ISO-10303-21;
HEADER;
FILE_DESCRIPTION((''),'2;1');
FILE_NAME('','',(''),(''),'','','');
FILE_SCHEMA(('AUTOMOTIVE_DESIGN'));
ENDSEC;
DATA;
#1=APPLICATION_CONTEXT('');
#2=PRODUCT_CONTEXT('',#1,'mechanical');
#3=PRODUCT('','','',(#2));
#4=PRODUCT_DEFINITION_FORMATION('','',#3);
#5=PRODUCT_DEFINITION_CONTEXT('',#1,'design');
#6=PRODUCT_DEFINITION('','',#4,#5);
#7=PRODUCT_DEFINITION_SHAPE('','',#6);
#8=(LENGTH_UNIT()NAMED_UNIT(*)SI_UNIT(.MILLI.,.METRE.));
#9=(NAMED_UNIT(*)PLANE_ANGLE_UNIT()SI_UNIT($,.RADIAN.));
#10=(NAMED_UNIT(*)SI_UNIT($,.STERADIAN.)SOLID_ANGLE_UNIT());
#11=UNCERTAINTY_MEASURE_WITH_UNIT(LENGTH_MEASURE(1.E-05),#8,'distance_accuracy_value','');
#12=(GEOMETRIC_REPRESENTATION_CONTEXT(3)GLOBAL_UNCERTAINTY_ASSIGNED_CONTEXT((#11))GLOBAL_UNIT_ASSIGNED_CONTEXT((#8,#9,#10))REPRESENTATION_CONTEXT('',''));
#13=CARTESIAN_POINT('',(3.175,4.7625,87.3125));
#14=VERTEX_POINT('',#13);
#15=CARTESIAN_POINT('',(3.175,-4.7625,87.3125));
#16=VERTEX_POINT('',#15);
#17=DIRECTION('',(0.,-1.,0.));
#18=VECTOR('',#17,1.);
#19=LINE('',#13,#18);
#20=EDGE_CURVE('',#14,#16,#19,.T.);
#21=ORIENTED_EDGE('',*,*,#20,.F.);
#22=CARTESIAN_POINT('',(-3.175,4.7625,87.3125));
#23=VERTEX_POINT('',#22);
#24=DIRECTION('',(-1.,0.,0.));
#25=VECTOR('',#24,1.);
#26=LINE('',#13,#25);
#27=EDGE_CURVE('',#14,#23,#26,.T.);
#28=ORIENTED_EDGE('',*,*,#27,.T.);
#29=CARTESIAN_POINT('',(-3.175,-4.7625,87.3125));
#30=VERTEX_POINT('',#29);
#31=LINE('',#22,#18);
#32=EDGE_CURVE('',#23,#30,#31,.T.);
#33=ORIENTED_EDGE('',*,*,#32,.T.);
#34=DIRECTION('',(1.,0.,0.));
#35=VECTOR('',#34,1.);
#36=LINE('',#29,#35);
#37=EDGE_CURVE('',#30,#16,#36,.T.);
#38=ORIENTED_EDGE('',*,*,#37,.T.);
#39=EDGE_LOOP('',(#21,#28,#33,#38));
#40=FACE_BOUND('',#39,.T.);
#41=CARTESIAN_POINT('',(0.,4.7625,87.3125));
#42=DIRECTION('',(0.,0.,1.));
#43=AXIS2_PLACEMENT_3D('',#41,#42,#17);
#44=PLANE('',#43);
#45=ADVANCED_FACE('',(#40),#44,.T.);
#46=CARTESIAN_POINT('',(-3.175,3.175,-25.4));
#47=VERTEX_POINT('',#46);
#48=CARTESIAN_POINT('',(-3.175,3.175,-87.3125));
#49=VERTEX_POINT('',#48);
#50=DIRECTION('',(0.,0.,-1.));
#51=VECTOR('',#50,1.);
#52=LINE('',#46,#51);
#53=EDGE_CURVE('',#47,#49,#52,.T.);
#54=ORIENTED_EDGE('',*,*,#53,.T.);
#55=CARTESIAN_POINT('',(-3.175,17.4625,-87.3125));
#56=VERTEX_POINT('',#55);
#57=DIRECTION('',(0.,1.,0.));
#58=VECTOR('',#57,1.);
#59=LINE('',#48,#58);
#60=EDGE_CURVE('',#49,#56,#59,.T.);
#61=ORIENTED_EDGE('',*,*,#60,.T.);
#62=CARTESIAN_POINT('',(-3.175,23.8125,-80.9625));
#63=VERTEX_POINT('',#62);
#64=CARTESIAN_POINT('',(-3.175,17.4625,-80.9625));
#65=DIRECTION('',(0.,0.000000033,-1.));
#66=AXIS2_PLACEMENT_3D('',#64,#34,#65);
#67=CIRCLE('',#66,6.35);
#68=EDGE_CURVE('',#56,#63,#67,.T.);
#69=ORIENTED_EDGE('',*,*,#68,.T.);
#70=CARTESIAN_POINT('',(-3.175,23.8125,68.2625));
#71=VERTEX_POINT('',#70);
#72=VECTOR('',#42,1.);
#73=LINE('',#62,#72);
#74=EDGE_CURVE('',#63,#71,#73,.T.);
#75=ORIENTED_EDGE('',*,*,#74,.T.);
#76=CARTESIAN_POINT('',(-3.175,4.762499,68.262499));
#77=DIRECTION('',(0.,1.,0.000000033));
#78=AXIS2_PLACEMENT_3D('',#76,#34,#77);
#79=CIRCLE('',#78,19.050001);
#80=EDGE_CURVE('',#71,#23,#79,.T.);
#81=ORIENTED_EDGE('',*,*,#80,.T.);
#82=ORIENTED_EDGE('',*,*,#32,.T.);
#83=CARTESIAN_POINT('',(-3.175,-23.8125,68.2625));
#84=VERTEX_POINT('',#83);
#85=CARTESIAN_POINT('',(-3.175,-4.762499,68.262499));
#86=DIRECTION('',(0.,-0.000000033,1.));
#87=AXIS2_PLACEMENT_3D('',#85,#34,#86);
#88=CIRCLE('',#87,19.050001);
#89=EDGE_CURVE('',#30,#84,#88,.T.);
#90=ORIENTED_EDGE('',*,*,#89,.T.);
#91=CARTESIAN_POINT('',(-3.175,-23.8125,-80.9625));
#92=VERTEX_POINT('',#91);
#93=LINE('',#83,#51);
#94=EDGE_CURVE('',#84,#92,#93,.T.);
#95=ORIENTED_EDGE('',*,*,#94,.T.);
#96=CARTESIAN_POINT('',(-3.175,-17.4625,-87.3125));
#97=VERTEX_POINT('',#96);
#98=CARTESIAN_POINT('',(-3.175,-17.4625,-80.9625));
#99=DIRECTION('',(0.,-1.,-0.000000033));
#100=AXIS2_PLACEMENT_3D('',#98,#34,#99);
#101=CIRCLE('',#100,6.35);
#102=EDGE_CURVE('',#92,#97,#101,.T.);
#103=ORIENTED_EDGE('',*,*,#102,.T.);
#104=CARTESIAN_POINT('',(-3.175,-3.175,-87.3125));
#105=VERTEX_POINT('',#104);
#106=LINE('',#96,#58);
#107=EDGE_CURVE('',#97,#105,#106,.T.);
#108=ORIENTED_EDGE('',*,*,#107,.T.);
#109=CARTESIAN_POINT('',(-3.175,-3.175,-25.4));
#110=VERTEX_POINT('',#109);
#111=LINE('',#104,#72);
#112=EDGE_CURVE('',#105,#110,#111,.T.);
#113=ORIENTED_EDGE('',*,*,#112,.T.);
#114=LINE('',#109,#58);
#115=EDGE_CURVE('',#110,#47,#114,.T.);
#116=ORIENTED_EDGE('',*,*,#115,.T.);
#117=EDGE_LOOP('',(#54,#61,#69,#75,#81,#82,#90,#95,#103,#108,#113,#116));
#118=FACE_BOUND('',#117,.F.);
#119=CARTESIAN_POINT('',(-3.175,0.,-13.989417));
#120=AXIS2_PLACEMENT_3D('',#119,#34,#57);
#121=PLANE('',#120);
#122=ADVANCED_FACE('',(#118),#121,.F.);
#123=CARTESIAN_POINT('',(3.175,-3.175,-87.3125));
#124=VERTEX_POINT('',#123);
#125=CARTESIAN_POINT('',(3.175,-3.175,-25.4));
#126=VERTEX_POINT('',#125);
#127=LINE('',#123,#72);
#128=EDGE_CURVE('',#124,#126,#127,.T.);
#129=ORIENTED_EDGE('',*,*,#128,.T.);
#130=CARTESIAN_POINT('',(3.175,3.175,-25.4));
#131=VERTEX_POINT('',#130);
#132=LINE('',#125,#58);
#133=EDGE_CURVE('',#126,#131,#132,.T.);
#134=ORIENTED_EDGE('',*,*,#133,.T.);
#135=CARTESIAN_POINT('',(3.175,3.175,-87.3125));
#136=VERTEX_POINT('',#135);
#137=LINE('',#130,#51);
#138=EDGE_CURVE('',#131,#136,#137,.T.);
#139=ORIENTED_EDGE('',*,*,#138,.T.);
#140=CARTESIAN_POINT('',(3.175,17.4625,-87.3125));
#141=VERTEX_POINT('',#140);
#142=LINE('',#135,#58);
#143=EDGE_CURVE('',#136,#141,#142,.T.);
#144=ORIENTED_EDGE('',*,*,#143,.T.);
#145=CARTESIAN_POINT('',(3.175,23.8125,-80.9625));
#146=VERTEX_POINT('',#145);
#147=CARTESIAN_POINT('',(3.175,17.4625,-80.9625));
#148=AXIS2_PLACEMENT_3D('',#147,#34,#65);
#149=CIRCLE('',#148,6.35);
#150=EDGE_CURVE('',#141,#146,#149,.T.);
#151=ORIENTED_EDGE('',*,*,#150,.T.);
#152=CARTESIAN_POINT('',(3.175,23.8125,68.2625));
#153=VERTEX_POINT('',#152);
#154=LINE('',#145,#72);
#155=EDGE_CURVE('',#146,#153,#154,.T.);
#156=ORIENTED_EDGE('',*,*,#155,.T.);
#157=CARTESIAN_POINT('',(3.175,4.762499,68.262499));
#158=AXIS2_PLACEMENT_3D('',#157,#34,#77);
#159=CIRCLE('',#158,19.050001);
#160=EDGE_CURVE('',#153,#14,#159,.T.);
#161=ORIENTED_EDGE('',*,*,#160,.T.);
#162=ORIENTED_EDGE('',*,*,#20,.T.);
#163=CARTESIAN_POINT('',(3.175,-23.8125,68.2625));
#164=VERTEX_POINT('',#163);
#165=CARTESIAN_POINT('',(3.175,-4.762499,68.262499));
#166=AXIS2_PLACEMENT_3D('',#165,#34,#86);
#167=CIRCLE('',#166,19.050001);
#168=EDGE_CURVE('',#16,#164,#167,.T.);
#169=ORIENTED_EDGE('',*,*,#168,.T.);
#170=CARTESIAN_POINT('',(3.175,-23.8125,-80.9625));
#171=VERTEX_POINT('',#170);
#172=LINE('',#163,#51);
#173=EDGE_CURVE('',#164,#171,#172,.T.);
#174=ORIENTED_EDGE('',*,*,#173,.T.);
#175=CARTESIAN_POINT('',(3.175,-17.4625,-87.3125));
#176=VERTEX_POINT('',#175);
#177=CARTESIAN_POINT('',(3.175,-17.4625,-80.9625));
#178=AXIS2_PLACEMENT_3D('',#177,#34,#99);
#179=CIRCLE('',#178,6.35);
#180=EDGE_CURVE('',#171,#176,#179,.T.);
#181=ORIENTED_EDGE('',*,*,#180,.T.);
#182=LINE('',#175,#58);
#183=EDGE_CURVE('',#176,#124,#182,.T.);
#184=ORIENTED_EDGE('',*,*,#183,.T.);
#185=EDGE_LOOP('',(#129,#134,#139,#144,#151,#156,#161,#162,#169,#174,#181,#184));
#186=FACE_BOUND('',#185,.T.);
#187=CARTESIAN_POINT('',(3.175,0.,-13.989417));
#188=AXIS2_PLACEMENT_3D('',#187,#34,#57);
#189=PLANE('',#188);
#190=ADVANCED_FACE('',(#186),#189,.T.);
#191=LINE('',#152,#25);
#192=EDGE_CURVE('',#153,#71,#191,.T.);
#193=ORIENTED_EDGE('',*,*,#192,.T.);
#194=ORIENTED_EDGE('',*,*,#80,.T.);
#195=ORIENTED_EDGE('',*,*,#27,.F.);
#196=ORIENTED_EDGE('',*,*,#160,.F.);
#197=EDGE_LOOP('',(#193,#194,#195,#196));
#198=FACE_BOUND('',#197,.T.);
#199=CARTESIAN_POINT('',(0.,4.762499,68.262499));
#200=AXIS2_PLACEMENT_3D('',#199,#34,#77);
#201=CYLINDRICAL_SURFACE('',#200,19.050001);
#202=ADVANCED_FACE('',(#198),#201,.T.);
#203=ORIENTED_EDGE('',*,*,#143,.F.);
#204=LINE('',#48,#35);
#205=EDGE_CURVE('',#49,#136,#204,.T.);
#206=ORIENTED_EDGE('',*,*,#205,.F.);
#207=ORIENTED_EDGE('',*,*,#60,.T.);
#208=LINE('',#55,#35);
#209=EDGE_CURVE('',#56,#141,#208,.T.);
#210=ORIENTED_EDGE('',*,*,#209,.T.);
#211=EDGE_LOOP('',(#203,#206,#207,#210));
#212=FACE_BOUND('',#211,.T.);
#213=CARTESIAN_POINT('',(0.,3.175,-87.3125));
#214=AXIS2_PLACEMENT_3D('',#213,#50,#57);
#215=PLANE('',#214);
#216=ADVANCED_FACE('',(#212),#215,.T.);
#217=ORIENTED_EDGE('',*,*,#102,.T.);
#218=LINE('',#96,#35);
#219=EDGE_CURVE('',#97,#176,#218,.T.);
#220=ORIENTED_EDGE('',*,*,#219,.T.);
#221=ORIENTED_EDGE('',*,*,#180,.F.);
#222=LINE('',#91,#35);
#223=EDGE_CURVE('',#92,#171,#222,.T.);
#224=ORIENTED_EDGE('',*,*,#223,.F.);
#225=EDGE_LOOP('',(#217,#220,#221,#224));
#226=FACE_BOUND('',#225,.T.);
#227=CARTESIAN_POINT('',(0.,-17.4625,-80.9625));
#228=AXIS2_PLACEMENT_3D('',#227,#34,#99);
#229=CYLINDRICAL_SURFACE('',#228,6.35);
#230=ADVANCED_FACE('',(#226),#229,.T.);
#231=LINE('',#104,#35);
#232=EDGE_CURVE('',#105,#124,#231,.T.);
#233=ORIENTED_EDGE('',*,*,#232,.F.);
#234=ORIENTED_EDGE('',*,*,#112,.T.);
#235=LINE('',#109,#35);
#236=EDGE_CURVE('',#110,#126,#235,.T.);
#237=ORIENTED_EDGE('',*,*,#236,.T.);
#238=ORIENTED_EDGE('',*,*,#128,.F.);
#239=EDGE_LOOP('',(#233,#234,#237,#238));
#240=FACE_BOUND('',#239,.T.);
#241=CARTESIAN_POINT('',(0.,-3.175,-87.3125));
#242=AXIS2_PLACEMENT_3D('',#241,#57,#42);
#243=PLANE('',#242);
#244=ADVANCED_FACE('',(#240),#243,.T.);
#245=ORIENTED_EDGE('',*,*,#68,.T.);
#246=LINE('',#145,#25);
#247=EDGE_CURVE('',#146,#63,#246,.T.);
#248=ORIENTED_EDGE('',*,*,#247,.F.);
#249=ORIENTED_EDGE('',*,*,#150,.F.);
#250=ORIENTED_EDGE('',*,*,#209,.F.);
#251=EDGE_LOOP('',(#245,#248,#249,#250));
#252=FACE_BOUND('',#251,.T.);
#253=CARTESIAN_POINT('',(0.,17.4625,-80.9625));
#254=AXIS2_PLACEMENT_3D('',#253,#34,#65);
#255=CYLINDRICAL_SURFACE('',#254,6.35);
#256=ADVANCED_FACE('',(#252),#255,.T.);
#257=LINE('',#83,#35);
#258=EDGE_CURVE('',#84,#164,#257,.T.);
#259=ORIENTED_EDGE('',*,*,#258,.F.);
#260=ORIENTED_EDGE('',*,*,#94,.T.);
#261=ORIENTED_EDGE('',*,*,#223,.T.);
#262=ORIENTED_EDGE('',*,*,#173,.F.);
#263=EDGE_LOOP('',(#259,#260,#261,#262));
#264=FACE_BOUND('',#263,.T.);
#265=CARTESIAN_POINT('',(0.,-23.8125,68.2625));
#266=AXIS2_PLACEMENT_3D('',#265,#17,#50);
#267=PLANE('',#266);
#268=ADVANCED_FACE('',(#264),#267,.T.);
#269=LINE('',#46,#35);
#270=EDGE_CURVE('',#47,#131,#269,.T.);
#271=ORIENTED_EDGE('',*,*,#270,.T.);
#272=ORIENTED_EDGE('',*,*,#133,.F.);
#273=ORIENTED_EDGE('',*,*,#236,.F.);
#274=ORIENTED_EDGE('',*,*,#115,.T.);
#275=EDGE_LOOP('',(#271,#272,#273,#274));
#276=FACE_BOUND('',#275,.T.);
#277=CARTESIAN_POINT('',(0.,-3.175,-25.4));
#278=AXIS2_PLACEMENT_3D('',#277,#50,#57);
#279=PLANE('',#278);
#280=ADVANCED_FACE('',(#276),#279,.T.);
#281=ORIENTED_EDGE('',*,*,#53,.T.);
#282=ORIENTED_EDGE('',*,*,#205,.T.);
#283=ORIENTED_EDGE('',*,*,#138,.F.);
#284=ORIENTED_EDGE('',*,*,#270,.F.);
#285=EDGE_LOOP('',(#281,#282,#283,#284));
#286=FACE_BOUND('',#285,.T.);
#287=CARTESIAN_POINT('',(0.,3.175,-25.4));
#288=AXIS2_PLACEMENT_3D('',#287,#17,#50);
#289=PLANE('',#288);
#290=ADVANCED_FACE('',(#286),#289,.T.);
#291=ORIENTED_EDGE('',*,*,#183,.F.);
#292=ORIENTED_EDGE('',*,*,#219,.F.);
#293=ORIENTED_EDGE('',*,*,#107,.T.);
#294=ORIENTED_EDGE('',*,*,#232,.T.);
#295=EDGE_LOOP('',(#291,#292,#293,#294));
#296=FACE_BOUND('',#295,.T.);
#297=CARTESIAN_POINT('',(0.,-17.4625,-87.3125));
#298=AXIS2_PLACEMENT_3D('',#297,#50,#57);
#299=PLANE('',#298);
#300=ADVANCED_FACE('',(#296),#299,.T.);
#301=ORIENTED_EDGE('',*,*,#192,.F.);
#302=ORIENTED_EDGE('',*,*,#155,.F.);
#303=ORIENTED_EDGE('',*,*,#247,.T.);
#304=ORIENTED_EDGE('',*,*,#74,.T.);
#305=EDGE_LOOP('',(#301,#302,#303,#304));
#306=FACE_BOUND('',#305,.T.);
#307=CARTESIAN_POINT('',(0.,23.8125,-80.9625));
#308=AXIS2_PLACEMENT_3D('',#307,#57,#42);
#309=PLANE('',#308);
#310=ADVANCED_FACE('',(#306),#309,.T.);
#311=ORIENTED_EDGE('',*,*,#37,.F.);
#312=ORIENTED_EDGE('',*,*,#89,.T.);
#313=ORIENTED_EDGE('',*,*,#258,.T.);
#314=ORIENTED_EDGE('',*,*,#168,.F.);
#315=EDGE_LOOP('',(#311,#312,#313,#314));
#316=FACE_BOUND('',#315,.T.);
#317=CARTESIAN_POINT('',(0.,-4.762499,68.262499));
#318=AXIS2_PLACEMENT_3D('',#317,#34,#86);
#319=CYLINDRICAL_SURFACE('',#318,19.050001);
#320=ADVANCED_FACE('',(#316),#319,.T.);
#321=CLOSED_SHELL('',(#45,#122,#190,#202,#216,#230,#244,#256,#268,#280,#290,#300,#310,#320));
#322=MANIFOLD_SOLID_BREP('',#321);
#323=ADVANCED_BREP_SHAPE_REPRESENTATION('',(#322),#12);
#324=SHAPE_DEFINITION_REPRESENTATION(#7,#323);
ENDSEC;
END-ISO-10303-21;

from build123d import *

# Parameters (mm, degrees)
F1_DEPTH = 3.175


with BuildPart() as f1:
    # F0 (on Right) → F1 (new body, symmetric)
    with BuildSketch(Plane.YZ):
        with BuildLine():
            Line((4.7625, 87.3125), (-4.7625, 87.3125))
            ThreePointArc((-4.7625, 87.3125), (-18.232884, 81.732884), (-23.8125, 68.2625))
            Line((-23.8125, 68.2625), (-23.8125, -80.9625))
            ThreePointArc((-23.8125, -80.9625), (-21.952628, -85.452628), (-17.4625, -87.3125))
            Line((-17.4625, -87.3125), (-3.175, -87.3125))
            Line((-3.175, -87.3125), (-3.175, -25.4))
            Line((-3.175, -25.4), (3.175, -25.4))
            Line((3.175, -25.4), (3.175, -87.3125))
            Line((3.175, -87.3125), (17.4625, -87.3125))
            ThreePointArc((17.4625, -87.3125), (21.952628, -85.452628), (23.8125, -80.9625))
            Line((23.8125, -80.9625), (23.8125, 68.2625))
            ThreePointArc((23.8125, 68.2625), (18.232884, 81.732884), (4.7625, 87.3125))
        make_face()
    extrude(amount=F1_DEPTH, both=True)


solid = f1.part
